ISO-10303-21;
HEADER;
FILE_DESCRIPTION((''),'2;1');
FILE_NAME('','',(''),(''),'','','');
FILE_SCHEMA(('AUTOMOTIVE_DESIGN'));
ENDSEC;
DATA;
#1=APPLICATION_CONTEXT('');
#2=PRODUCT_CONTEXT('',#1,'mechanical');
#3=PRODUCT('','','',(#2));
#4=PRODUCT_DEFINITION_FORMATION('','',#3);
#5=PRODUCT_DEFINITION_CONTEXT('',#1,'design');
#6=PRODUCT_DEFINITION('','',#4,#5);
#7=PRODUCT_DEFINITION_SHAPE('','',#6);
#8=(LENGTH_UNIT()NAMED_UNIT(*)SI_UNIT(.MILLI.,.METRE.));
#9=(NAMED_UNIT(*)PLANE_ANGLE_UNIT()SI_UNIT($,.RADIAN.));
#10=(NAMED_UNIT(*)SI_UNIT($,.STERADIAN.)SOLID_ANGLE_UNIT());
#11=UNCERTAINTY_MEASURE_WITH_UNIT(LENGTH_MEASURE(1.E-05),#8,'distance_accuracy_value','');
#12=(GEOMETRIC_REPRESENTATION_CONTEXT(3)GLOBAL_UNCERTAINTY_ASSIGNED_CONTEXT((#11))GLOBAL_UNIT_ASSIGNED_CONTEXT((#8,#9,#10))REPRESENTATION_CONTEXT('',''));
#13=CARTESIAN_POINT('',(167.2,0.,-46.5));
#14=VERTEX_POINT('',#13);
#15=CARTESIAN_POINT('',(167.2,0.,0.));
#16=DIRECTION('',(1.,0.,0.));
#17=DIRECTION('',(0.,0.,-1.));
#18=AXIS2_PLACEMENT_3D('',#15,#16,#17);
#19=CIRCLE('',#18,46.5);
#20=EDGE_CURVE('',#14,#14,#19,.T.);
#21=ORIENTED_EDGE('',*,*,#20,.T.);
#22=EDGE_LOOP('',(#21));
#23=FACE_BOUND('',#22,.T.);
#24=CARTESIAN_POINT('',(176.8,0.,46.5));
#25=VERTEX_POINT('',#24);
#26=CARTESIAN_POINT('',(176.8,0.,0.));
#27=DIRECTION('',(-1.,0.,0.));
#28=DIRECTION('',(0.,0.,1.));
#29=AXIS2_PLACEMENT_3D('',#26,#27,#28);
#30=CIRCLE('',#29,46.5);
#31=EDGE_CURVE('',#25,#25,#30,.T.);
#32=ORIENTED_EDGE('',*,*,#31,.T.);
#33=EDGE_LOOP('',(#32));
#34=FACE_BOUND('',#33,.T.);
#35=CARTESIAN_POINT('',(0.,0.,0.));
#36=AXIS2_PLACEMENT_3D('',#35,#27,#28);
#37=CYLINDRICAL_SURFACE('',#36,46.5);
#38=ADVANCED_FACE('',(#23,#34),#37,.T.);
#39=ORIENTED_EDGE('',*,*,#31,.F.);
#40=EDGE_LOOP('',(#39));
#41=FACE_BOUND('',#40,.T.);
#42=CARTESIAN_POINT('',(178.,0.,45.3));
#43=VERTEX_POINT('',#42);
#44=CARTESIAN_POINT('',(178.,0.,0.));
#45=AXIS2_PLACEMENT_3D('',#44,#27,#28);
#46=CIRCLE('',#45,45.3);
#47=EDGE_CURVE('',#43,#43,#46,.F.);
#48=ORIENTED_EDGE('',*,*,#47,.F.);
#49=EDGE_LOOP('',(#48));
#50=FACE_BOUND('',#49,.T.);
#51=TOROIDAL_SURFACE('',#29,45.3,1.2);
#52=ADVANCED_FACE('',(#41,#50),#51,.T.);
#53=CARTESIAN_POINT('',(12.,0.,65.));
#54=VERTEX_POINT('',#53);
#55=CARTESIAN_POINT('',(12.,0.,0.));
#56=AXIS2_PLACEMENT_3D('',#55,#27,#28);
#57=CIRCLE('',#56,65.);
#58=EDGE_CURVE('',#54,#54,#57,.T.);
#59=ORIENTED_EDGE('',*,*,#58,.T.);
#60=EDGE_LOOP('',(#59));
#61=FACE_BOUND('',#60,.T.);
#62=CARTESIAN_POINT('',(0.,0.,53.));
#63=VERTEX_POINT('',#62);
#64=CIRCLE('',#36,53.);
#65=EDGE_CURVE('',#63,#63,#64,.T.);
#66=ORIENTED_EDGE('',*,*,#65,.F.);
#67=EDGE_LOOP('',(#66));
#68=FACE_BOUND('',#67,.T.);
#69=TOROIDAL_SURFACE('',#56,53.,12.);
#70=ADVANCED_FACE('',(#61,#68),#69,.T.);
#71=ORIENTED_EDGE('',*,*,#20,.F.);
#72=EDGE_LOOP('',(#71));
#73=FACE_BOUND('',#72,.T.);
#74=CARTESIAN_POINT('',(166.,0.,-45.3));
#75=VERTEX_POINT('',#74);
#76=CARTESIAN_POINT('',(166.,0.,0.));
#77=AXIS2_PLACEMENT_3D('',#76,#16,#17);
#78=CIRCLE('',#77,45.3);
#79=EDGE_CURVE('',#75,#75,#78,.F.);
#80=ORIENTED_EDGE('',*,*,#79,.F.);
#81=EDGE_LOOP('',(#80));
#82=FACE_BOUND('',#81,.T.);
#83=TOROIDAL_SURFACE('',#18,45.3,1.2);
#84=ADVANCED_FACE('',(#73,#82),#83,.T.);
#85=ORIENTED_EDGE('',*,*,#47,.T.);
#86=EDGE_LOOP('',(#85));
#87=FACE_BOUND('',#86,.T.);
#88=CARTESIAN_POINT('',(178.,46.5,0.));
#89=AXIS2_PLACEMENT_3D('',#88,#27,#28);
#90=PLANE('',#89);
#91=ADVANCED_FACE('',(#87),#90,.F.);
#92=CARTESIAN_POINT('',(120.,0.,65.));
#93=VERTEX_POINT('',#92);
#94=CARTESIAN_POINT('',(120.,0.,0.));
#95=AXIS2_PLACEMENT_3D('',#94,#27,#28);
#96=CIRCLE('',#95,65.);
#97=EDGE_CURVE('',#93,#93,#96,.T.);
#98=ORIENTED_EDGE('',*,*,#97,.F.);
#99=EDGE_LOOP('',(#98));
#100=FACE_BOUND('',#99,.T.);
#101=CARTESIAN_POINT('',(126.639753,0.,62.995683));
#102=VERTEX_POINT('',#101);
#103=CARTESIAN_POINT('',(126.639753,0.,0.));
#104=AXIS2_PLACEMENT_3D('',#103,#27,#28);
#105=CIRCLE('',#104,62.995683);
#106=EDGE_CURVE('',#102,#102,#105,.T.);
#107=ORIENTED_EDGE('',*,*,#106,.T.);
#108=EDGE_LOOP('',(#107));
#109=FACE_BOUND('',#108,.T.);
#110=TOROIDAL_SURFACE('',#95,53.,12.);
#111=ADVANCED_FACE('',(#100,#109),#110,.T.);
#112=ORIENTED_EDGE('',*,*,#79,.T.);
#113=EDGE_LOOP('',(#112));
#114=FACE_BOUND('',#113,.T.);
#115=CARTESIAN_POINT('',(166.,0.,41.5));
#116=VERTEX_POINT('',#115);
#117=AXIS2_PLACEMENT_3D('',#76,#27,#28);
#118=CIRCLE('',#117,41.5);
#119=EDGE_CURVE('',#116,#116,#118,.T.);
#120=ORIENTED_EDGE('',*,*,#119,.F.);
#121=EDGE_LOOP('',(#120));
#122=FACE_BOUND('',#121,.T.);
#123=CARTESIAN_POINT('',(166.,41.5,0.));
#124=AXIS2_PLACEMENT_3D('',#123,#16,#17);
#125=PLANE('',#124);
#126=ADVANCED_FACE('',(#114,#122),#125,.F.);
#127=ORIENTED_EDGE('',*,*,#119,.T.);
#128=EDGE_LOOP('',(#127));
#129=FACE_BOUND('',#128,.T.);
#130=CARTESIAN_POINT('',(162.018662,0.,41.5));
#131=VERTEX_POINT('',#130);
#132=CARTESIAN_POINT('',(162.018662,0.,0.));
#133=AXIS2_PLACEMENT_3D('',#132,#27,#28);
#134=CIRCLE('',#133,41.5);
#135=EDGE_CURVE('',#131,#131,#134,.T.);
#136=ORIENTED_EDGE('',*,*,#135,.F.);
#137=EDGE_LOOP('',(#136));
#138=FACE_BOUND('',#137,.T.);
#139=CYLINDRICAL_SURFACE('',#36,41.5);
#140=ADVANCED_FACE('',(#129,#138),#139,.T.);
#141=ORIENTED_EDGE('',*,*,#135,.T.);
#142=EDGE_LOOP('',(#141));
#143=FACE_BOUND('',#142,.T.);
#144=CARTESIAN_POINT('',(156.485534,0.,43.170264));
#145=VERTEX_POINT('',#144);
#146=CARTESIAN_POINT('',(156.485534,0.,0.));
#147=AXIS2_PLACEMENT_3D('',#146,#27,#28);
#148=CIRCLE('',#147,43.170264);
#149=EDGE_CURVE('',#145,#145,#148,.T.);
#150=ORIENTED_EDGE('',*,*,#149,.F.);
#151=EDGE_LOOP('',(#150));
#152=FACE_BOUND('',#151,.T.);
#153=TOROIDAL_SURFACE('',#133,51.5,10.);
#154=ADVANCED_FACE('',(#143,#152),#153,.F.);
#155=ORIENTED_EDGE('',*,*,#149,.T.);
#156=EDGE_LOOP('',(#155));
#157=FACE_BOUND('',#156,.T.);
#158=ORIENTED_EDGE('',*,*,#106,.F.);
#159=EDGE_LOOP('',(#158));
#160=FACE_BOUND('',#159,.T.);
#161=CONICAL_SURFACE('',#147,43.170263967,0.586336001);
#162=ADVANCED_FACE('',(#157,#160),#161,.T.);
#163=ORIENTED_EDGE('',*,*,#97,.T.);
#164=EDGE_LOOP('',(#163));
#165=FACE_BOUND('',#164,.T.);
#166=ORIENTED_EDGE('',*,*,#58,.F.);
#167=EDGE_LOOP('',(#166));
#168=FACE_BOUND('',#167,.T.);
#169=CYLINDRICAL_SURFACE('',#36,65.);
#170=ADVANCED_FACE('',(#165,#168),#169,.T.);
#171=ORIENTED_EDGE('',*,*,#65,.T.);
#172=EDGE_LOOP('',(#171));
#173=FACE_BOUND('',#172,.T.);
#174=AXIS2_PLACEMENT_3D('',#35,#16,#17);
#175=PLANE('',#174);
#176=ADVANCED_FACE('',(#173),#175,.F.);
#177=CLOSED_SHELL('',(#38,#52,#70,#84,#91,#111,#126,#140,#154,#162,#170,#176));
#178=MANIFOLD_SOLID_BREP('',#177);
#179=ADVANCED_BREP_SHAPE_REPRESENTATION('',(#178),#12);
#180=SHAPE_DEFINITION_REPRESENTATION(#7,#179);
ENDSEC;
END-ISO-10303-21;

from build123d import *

# Parameters (mm, degrees)
FILLET1_R = 1.2


with BuildPart() as part:
    # Sketch1 → Revolve1 (revolve)
    with BuildSketch(Plane.XY):
        with BuildLine():
            Line((0, 0), (0, 53))
            ThreePointArc((0, 53), (3.514718626, 61.485281374), (12, 65))
            Line((12, 65), (120, 65))
            ThreePointArc((120, 65), (123.467838025, 64.48799806), (126.63975275, 62.995683239))
            Line((126.63975275, 62.995683239), (156.485534451, 43.170263967))
            ThreePointArc((156.485534451, 43.170263967), (159.128796722, 41.926668283), (162.018661743, 41.5))
            Line((162.018661743, 41.5), (166, 41.5))
            Line((166, 41.5), (166, 46.5))
            Line((166, 46.5), (178, 46.5))
            Line((178, 46.5), (178, 0))
            Line((178, 0), (0, 0))
        make_face()
    revolve(axis=Axis((0, 0, 0), (1, 0, 0)))

    # Fillet1
    fillet1_edges = [part.edges().sort_by_distance(p)[0] for p in [
        (178, -46.5, 0),
        (166, -46.5, 0),
    ]]
    fillet(fillet1_edges, radius=FILLET1_R)


solid = part.part
